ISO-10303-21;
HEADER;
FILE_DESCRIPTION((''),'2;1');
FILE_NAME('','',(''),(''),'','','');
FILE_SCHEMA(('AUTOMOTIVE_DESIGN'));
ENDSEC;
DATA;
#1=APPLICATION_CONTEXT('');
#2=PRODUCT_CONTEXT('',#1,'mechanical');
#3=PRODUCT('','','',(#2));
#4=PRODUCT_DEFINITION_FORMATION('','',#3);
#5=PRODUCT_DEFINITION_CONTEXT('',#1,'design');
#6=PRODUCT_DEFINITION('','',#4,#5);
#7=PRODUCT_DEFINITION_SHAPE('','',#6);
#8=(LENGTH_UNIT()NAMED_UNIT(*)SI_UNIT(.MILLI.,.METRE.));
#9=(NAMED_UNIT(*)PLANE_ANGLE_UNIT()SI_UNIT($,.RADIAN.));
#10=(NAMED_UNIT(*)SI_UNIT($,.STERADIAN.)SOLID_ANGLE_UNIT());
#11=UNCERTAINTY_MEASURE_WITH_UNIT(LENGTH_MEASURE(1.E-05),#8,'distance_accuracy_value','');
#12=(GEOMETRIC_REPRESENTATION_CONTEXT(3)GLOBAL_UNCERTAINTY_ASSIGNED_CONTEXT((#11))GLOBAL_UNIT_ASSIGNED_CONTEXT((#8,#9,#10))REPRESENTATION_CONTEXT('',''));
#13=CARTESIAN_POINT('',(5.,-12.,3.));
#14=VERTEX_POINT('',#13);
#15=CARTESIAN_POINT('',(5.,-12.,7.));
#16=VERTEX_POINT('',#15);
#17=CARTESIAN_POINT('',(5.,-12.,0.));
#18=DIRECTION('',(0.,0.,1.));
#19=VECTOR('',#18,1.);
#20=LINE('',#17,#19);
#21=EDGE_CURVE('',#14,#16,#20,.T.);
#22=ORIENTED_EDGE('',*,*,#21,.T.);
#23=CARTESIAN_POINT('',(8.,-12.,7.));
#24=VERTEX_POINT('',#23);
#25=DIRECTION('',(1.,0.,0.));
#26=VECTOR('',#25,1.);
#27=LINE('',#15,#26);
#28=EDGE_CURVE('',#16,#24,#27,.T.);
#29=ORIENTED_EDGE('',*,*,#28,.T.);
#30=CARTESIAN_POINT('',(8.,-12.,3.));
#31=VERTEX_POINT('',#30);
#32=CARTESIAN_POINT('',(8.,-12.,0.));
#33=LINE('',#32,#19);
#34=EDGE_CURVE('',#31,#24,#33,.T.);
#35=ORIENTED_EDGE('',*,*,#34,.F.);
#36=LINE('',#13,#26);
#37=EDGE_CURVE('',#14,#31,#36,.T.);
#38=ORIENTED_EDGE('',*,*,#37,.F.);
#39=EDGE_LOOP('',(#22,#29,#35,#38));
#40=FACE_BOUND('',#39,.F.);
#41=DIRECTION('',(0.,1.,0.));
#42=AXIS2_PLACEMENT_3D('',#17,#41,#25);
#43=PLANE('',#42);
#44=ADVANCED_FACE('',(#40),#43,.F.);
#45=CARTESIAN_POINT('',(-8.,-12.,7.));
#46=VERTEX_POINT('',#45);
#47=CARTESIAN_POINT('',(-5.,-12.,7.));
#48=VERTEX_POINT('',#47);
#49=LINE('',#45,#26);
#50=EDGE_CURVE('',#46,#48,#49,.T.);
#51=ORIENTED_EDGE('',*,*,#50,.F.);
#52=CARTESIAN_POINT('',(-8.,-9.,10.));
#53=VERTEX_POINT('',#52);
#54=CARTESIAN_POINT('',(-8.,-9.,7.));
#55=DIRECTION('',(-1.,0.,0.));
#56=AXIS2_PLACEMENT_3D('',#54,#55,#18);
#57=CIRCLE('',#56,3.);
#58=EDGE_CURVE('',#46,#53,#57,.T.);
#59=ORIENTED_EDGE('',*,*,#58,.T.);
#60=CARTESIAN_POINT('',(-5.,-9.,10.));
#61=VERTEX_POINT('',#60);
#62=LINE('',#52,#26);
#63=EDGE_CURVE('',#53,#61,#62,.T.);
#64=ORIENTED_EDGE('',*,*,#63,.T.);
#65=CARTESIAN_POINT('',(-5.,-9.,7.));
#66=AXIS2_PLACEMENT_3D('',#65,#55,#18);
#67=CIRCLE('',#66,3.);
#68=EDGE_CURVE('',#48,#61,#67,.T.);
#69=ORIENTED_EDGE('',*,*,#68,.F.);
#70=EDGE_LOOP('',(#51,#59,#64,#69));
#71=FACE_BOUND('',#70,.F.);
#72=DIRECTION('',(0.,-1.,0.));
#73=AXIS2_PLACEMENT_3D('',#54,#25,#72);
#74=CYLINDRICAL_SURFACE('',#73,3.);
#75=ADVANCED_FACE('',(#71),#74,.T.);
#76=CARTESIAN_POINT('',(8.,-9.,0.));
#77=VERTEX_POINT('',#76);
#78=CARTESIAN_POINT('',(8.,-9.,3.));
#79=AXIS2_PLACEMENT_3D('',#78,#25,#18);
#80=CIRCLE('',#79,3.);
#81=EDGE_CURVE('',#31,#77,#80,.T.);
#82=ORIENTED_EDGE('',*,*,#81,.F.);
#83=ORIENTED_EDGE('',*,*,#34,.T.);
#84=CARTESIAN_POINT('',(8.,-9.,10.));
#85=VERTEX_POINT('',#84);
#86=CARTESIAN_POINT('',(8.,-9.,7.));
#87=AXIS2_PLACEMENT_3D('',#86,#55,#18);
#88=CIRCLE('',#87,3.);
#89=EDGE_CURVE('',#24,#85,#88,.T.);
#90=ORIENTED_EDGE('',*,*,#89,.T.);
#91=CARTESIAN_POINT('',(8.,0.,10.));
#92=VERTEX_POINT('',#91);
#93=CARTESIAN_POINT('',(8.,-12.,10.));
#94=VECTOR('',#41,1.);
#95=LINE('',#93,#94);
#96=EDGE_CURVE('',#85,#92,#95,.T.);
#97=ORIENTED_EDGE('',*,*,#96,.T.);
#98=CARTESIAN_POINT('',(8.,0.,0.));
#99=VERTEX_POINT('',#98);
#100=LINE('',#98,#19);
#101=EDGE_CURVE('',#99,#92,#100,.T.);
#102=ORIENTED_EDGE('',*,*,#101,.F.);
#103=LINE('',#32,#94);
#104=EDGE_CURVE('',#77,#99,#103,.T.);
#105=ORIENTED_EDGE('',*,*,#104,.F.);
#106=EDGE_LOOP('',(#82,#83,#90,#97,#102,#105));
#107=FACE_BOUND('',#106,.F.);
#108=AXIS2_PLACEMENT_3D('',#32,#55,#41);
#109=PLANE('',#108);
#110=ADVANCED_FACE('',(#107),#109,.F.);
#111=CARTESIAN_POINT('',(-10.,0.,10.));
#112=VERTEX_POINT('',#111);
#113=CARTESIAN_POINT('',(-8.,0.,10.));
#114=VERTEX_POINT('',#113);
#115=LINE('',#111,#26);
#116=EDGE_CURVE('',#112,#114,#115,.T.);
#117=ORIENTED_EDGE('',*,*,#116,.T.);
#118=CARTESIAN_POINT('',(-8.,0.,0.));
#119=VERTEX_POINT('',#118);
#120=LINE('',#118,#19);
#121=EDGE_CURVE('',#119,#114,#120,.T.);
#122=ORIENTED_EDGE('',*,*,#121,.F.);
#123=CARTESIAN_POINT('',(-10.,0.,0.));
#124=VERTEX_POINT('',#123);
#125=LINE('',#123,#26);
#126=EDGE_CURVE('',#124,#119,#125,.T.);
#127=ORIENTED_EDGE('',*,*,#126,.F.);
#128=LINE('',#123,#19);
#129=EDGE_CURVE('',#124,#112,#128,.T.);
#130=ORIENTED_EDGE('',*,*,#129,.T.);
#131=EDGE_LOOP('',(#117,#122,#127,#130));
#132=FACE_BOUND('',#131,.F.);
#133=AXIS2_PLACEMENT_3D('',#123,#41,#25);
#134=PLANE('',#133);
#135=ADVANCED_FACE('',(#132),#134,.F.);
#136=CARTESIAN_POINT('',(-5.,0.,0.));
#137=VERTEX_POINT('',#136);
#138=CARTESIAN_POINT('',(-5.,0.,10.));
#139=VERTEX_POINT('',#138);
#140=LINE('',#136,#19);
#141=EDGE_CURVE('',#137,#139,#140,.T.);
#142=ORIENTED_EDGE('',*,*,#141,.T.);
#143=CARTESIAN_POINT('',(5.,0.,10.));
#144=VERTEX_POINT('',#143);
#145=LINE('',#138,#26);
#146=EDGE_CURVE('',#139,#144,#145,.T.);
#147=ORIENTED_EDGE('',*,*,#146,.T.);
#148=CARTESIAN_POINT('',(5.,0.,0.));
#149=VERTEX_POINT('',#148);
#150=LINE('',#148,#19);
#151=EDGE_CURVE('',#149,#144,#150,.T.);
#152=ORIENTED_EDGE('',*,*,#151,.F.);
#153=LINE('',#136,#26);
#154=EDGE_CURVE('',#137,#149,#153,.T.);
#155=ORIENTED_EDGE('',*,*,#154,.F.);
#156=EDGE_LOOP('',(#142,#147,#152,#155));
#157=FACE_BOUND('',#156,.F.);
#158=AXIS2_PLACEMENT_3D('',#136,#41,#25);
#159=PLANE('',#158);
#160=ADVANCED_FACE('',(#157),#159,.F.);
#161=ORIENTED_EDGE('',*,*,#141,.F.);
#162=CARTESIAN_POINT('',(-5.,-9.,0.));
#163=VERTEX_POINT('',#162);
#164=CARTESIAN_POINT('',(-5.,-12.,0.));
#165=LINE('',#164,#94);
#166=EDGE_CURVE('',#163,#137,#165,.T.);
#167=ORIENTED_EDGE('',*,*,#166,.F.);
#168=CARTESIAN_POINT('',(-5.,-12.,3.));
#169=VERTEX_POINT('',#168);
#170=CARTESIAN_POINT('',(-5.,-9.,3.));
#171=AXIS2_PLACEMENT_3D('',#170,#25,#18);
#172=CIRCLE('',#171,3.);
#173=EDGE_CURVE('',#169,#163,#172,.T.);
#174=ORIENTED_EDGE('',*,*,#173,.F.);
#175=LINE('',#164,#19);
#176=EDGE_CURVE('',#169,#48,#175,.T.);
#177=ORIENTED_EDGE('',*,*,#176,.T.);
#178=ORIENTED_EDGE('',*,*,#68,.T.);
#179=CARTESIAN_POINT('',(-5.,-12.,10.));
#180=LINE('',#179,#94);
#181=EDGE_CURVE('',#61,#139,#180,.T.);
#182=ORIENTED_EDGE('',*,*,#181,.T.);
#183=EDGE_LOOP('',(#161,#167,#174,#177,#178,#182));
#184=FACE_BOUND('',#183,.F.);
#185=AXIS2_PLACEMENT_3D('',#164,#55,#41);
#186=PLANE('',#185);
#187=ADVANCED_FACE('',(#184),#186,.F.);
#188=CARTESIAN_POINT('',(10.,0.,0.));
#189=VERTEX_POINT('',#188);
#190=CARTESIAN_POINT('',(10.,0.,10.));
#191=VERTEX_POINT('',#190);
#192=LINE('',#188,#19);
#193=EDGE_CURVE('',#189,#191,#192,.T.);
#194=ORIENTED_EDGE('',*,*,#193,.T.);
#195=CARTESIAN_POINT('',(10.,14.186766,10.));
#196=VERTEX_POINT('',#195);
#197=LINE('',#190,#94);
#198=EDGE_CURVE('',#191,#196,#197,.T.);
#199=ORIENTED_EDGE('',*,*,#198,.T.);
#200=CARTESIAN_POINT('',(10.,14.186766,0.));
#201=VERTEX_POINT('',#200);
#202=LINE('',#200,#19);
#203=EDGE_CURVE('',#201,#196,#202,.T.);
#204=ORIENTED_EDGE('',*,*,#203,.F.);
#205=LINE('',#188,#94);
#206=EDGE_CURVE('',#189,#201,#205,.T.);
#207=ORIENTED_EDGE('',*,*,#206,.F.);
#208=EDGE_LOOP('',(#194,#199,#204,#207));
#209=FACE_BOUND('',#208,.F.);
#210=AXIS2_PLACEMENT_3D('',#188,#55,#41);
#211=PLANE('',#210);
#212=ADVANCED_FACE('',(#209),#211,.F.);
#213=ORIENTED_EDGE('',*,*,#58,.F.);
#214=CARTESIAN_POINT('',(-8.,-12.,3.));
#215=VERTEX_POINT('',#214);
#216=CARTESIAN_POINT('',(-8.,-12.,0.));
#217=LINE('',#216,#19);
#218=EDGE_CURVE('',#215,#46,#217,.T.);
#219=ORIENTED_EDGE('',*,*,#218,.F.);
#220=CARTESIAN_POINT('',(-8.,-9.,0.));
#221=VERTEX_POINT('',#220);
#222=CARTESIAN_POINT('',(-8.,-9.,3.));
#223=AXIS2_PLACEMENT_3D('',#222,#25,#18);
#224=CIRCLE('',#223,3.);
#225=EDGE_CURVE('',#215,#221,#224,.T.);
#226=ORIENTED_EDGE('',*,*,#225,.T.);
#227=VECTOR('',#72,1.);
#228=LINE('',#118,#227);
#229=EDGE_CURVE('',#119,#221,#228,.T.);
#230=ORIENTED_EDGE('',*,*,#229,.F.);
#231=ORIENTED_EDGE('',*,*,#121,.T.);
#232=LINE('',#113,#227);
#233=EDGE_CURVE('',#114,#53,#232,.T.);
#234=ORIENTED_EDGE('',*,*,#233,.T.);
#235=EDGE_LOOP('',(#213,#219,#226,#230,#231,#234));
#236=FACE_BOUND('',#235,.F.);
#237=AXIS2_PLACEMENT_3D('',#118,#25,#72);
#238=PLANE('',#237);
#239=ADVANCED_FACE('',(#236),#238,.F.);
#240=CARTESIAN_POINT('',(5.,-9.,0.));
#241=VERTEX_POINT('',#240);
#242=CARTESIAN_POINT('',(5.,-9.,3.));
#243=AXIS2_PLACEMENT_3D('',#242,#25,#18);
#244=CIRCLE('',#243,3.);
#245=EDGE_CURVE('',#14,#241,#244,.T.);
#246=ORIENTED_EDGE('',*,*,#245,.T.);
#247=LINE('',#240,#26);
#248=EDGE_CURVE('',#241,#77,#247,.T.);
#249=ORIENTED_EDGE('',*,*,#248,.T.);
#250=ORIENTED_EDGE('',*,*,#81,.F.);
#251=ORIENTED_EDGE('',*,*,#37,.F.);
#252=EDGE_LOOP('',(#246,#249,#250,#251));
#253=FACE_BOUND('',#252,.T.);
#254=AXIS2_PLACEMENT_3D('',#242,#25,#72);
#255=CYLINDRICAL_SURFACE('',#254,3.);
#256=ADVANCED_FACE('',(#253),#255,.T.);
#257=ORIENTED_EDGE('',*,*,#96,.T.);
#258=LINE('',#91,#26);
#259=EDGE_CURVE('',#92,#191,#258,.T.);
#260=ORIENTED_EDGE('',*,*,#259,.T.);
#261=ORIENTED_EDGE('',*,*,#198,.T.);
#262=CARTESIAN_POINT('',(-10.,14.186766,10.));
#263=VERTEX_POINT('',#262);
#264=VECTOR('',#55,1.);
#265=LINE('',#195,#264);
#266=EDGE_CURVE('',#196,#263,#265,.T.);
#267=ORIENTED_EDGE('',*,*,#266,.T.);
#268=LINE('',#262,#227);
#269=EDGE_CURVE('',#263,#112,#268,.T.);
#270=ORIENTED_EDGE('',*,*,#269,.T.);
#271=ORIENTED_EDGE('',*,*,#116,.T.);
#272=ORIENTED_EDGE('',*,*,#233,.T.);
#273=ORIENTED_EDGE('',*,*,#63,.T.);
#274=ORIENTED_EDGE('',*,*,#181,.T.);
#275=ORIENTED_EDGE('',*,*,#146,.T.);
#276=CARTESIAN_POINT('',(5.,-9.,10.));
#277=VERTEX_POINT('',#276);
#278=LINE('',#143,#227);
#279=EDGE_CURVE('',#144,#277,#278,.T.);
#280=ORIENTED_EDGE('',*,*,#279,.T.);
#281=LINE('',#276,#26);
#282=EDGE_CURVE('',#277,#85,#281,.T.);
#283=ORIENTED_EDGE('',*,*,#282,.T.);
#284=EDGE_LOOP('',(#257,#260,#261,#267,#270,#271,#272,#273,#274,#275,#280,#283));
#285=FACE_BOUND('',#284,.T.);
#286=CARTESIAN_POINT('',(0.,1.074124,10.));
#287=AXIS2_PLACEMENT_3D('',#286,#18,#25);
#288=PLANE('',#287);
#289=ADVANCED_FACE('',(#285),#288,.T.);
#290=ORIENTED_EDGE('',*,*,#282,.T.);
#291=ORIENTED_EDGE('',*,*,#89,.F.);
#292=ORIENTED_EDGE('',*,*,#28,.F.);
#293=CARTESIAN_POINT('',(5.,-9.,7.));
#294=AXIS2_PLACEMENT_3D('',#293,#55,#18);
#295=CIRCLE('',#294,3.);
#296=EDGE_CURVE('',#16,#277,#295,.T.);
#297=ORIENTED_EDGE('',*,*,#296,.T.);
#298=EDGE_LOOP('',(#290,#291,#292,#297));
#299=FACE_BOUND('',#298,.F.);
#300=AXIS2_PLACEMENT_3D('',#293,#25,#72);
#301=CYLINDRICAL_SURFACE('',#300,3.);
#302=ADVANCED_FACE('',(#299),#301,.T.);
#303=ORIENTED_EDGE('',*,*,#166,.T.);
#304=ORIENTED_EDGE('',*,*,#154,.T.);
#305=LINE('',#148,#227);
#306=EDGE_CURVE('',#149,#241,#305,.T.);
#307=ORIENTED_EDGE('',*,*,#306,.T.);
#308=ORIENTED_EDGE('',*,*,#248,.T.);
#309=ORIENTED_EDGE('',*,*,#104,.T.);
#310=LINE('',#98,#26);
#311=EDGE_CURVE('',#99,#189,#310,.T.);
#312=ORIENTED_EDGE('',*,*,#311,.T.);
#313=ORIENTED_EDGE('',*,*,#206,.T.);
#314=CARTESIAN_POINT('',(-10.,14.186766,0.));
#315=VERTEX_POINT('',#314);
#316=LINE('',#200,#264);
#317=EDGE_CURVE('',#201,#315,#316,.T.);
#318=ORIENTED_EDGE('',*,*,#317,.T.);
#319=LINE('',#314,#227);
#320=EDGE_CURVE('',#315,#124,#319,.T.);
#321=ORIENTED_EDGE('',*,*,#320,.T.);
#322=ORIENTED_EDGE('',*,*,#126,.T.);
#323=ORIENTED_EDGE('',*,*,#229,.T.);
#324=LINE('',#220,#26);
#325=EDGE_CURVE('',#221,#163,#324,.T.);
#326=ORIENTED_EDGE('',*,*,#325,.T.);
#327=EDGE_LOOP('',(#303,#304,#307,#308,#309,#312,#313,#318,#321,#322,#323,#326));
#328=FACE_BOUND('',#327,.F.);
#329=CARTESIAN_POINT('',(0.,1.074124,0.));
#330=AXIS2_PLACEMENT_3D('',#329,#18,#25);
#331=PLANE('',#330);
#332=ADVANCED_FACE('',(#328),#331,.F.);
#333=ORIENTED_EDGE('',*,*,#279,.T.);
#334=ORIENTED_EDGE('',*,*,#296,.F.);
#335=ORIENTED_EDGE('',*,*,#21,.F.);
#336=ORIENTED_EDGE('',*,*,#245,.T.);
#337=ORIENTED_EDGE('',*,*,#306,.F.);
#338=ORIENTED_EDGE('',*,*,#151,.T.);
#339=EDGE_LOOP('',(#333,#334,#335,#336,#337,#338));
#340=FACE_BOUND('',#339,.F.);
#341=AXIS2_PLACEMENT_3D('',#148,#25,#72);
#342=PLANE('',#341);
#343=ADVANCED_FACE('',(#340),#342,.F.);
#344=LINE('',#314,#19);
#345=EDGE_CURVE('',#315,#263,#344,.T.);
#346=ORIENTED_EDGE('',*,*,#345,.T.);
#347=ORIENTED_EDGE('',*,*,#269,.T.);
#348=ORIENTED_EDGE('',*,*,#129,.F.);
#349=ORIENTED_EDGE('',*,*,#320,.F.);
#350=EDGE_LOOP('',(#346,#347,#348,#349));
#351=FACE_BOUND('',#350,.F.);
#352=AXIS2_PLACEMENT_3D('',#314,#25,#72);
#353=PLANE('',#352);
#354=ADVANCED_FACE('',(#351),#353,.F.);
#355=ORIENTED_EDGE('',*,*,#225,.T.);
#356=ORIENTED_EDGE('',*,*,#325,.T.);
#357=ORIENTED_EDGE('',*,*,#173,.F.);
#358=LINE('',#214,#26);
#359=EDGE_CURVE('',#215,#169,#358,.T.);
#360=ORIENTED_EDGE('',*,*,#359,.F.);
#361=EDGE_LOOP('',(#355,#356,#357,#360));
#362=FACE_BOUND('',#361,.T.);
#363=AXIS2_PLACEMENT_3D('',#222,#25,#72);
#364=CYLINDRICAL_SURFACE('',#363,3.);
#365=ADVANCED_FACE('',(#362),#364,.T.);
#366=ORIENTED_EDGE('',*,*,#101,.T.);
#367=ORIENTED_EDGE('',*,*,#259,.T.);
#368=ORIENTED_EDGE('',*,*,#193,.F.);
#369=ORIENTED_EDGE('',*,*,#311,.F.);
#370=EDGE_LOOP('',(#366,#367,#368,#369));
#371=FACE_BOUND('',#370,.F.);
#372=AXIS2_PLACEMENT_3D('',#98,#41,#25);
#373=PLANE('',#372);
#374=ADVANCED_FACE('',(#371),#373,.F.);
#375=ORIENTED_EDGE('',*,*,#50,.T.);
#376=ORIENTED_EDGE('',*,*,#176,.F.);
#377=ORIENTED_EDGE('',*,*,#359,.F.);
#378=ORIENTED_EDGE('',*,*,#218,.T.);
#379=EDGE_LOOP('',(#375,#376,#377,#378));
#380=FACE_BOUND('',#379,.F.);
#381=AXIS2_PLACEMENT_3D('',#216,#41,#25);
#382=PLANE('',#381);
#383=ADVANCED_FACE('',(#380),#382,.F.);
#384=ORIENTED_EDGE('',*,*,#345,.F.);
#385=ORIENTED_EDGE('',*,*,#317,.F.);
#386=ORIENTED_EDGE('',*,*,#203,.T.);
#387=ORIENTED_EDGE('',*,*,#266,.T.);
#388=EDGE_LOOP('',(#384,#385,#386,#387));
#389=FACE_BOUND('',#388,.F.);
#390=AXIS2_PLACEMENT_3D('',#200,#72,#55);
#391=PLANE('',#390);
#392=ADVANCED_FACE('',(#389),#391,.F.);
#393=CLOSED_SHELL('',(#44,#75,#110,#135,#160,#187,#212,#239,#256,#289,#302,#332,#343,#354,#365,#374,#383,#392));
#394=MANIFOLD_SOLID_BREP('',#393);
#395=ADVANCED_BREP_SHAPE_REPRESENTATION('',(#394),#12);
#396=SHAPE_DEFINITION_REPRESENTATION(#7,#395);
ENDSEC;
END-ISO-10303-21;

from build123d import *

# Parameters (mm, degrees)
F1_DEPTH = 10
F2_R     = 3


with BuildPart() as f1:
    # F0 (on Top) → F1 (new body)
    with BuildSketch(Plane.XY):
        Polygon((-5, 0), (0, 0), (5, 0), (5, -12), (8, -12), (8, 0), (10, 0), (10, 14.186766), (0, 14.186766), (-10, 14.186766), (-10, 0), (-8, 0), (-8, -12), (-5, -12), align=None)
    extrude(amount=F1_DEPTH)

    # F2
    f2_edges = [f1.edges().sort_by_distance(p)[0] for p in [
        (6.5, -12, 0),
        (6.5, -12, 10),
        (-6.5, -12, 0),
        (-6.5, -12, 10),
    ]]
    fillet(f2_edges, radius=F2_R)


solid = f1.part
